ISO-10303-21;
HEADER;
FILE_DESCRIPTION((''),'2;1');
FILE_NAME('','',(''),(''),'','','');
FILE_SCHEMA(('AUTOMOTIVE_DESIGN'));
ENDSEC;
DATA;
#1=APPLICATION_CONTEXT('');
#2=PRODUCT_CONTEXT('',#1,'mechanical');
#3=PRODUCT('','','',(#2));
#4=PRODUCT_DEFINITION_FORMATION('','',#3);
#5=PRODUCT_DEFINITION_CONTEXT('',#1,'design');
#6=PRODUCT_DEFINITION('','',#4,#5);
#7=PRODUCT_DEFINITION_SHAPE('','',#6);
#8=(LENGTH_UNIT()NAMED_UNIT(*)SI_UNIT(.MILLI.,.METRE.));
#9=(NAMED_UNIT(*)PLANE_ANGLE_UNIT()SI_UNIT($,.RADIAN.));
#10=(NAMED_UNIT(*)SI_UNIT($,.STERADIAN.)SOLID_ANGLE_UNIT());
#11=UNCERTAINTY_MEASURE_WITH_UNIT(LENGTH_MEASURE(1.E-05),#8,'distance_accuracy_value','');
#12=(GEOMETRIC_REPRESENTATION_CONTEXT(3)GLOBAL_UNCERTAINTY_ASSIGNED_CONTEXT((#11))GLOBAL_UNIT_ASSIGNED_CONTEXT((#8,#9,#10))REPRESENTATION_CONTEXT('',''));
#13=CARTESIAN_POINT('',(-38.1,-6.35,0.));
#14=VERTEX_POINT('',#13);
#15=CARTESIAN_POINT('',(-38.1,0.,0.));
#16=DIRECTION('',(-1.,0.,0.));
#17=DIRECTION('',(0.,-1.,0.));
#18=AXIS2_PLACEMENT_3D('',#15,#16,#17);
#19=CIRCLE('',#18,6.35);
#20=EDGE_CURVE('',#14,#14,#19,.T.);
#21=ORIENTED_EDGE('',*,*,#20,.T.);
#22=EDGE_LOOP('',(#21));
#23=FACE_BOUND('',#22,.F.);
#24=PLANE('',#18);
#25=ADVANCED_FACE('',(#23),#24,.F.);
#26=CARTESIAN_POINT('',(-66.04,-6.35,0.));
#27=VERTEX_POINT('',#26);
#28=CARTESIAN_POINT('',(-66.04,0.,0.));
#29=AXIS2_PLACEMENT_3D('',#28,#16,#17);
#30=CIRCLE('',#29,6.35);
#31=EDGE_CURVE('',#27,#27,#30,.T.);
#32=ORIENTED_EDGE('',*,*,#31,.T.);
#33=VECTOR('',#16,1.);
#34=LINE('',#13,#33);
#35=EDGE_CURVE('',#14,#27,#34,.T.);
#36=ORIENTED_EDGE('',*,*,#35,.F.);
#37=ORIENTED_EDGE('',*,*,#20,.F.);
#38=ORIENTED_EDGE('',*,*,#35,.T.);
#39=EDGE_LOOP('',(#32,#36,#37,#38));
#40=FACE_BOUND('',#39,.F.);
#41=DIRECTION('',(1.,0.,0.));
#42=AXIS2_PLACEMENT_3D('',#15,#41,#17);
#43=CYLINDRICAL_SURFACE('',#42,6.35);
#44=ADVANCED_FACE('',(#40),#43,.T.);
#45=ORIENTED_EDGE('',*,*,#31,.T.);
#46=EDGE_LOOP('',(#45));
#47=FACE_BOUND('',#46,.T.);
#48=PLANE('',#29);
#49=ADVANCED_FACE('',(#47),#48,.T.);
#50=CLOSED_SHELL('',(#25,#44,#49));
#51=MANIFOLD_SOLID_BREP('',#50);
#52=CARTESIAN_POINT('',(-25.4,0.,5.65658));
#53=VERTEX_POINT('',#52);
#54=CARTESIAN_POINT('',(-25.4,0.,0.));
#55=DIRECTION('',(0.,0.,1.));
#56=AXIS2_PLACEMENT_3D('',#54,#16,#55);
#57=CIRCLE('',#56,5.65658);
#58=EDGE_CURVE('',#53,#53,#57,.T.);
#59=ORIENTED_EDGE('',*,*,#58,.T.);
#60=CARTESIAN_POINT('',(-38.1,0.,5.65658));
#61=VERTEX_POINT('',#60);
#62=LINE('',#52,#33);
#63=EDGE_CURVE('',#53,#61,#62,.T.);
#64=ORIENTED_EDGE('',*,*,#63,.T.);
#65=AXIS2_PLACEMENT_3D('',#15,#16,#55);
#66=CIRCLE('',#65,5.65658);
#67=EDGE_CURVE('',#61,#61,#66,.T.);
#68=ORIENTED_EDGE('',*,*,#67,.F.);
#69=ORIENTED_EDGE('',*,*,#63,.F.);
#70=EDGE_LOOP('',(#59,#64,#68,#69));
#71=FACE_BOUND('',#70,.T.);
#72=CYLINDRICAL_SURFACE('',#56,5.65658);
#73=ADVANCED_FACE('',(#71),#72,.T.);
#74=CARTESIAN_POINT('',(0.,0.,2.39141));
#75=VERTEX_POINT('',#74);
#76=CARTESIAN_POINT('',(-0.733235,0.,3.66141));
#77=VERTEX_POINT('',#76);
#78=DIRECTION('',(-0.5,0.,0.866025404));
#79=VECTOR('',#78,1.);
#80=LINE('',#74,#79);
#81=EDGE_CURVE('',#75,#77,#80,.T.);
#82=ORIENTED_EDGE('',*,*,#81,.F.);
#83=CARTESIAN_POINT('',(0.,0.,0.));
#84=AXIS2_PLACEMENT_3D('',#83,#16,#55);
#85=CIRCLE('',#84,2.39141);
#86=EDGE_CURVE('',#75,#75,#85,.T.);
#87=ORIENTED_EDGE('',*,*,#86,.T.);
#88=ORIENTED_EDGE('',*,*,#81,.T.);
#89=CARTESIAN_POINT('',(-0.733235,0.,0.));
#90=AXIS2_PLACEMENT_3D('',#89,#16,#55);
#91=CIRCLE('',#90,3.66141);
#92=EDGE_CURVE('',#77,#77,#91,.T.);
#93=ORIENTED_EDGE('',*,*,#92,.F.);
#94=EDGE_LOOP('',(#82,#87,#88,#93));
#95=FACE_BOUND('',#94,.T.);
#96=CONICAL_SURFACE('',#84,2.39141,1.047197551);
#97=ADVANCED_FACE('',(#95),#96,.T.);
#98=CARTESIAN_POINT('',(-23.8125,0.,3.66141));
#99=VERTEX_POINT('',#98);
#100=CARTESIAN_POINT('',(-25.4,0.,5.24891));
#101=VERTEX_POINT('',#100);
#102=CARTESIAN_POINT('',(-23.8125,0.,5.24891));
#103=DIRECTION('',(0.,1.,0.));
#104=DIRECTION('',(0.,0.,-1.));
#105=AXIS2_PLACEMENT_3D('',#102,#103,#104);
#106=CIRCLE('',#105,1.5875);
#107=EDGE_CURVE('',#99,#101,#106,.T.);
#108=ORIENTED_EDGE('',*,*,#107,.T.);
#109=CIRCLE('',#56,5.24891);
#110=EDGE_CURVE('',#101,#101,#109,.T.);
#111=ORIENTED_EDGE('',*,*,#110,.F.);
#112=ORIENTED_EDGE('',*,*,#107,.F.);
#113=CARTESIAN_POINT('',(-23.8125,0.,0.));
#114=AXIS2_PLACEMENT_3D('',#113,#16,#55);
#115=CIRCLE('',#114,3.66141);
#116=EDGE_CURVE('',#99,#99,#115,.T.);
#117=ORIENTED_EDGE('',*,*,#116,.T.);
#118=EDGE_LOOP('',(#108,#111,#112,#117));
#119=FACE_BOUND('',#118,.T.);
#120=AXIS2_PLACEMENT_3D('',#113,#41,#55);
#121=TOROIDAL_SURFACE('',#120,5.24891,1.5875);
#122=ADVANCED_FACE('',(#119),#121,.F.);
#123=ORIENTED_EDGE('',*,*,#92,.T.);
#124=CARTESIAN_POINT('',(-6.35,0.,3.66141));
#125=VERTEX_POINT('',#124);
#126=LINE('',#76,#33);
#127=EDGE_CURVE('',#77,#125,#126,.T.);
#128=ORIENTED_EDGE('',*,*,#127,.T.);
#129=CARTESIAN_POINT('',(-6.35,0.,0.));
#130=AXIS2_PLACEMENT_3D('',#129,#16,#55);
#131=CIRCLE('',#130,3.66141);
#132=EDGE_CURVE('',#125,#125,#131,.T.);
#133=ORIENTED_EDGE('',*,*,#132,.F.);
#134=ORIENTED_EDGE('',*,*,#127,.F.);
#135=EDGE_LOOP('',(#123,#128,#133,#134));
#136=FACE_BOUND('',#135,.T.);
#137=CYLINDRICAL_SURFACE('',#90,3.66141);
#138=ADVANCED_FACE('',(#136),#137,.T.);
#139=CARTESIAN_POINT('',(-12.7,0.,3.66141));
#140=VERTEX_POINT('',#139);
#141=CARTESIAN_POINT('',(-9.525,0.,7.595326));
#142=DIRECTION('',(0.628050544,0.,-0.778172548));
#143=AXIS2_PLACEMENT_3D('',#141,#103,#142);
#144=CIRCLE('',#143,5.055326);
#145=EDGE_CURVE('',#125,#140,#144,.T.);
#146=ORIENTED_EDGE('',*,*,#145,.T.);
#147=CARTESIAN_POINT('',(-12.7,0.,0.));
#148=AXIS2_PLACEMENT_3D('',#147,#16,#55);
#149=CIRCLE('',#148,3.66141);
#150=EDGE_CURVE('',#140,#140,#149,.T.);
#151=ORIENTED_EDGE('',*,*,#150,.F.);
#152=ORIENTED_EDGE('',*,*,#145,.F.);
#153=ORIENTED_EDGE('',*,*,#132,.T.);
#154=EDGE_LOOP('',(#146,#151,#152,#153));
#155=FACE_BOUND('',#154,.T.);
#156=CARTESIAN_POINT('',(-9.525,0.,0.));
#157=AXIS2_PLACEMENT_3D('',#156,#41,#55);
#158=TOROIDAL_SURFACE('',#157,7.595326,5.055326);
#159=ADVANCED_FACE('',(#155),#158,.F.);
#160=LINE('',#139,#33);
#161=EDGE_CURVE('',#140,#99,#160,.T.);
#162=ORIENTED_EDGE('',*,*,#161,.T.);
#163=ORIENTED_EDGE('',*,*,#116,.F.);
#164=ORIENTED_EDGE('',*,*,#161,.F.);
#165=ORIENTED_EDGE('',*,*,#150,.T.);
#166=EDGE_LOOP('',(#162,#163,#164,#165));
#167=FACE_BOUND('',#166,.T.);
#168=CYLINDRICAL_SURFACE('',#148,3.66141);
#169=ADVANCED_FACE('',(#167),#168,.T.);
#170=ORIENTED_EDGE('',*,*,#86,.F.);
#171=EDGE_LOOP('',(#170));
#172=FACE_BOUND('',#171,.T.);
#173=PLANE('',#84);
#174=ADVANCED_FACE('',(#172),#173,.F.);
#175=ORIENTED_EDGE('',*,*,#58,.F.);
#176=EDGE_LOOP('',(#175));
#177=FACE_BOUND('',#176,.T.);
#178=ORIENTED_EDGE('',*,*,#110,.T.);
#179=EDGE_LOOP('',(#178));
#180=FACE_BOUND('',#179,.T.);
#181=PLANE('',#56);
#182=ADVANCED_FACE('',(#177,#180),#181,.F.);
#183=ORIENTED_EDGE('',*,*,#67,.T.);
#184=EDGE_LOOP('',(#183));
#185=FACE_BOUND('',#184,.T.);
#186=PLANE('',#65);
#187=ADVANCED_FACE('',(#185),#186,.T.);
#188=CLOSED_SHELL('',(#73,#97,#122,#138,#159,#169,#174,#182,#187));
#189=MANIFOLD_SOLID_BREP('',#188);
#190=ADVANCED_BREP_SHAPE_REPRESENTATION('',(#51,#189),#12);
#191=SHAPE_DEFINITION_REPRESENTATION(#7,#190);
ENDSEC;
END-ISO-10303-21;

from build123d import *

# Parameters (mm, degrees)
F2_R     = 6.35
F3_DEPTH = 27.94


with BuildPart() as f1:
    # F0 (on Front) → F1 (revolve)
    with BuildSketch(Plane.XZ):
        with BuildLine():
            Line((0, 2.39141), (-0.7332348419, 3.66141))
            Line((-0.7332348419, 3.66141), (-6.35, 3.66141))
            ThreePointArc((-6.35, 3.66141), (-9.525, 2.54), (-12.7, 3.66141))
            Line((-12.7, 3.66141), (-23.8125, 3.66141))
            ThreePointArc((-23.8125, 3.66141), (-24.9350320151, 4.1263779849), (-25.4, 5.24891))
            Line((-25.4, 5.24891), (-25.4, 5.65658))
            Line((-25.4, 5.65658), (-38.1, 5.65658))
            Line((-38.1, 5.65658), (-38.1, 0))
            Line((-38.1, 0), (0, 0))
            Line((0, 0), (0, 2.39141))
        make_face()
    revolve(axis=Axis((-19.05, 0, 0), (-1, 0, 0)))


with BuildPart() as f3:
    # F2 (on face) → F3 (new body)
    with BuildSketch(Plane(origin=(-38.1, 0, 0), x_dir=(0, -1, 0), z_dir=(-1, 0, 0))):
        Circle(F2_R)
    extrude(amount=F3_DEPTH)


solid = Compound([f1.part, f3.part])
